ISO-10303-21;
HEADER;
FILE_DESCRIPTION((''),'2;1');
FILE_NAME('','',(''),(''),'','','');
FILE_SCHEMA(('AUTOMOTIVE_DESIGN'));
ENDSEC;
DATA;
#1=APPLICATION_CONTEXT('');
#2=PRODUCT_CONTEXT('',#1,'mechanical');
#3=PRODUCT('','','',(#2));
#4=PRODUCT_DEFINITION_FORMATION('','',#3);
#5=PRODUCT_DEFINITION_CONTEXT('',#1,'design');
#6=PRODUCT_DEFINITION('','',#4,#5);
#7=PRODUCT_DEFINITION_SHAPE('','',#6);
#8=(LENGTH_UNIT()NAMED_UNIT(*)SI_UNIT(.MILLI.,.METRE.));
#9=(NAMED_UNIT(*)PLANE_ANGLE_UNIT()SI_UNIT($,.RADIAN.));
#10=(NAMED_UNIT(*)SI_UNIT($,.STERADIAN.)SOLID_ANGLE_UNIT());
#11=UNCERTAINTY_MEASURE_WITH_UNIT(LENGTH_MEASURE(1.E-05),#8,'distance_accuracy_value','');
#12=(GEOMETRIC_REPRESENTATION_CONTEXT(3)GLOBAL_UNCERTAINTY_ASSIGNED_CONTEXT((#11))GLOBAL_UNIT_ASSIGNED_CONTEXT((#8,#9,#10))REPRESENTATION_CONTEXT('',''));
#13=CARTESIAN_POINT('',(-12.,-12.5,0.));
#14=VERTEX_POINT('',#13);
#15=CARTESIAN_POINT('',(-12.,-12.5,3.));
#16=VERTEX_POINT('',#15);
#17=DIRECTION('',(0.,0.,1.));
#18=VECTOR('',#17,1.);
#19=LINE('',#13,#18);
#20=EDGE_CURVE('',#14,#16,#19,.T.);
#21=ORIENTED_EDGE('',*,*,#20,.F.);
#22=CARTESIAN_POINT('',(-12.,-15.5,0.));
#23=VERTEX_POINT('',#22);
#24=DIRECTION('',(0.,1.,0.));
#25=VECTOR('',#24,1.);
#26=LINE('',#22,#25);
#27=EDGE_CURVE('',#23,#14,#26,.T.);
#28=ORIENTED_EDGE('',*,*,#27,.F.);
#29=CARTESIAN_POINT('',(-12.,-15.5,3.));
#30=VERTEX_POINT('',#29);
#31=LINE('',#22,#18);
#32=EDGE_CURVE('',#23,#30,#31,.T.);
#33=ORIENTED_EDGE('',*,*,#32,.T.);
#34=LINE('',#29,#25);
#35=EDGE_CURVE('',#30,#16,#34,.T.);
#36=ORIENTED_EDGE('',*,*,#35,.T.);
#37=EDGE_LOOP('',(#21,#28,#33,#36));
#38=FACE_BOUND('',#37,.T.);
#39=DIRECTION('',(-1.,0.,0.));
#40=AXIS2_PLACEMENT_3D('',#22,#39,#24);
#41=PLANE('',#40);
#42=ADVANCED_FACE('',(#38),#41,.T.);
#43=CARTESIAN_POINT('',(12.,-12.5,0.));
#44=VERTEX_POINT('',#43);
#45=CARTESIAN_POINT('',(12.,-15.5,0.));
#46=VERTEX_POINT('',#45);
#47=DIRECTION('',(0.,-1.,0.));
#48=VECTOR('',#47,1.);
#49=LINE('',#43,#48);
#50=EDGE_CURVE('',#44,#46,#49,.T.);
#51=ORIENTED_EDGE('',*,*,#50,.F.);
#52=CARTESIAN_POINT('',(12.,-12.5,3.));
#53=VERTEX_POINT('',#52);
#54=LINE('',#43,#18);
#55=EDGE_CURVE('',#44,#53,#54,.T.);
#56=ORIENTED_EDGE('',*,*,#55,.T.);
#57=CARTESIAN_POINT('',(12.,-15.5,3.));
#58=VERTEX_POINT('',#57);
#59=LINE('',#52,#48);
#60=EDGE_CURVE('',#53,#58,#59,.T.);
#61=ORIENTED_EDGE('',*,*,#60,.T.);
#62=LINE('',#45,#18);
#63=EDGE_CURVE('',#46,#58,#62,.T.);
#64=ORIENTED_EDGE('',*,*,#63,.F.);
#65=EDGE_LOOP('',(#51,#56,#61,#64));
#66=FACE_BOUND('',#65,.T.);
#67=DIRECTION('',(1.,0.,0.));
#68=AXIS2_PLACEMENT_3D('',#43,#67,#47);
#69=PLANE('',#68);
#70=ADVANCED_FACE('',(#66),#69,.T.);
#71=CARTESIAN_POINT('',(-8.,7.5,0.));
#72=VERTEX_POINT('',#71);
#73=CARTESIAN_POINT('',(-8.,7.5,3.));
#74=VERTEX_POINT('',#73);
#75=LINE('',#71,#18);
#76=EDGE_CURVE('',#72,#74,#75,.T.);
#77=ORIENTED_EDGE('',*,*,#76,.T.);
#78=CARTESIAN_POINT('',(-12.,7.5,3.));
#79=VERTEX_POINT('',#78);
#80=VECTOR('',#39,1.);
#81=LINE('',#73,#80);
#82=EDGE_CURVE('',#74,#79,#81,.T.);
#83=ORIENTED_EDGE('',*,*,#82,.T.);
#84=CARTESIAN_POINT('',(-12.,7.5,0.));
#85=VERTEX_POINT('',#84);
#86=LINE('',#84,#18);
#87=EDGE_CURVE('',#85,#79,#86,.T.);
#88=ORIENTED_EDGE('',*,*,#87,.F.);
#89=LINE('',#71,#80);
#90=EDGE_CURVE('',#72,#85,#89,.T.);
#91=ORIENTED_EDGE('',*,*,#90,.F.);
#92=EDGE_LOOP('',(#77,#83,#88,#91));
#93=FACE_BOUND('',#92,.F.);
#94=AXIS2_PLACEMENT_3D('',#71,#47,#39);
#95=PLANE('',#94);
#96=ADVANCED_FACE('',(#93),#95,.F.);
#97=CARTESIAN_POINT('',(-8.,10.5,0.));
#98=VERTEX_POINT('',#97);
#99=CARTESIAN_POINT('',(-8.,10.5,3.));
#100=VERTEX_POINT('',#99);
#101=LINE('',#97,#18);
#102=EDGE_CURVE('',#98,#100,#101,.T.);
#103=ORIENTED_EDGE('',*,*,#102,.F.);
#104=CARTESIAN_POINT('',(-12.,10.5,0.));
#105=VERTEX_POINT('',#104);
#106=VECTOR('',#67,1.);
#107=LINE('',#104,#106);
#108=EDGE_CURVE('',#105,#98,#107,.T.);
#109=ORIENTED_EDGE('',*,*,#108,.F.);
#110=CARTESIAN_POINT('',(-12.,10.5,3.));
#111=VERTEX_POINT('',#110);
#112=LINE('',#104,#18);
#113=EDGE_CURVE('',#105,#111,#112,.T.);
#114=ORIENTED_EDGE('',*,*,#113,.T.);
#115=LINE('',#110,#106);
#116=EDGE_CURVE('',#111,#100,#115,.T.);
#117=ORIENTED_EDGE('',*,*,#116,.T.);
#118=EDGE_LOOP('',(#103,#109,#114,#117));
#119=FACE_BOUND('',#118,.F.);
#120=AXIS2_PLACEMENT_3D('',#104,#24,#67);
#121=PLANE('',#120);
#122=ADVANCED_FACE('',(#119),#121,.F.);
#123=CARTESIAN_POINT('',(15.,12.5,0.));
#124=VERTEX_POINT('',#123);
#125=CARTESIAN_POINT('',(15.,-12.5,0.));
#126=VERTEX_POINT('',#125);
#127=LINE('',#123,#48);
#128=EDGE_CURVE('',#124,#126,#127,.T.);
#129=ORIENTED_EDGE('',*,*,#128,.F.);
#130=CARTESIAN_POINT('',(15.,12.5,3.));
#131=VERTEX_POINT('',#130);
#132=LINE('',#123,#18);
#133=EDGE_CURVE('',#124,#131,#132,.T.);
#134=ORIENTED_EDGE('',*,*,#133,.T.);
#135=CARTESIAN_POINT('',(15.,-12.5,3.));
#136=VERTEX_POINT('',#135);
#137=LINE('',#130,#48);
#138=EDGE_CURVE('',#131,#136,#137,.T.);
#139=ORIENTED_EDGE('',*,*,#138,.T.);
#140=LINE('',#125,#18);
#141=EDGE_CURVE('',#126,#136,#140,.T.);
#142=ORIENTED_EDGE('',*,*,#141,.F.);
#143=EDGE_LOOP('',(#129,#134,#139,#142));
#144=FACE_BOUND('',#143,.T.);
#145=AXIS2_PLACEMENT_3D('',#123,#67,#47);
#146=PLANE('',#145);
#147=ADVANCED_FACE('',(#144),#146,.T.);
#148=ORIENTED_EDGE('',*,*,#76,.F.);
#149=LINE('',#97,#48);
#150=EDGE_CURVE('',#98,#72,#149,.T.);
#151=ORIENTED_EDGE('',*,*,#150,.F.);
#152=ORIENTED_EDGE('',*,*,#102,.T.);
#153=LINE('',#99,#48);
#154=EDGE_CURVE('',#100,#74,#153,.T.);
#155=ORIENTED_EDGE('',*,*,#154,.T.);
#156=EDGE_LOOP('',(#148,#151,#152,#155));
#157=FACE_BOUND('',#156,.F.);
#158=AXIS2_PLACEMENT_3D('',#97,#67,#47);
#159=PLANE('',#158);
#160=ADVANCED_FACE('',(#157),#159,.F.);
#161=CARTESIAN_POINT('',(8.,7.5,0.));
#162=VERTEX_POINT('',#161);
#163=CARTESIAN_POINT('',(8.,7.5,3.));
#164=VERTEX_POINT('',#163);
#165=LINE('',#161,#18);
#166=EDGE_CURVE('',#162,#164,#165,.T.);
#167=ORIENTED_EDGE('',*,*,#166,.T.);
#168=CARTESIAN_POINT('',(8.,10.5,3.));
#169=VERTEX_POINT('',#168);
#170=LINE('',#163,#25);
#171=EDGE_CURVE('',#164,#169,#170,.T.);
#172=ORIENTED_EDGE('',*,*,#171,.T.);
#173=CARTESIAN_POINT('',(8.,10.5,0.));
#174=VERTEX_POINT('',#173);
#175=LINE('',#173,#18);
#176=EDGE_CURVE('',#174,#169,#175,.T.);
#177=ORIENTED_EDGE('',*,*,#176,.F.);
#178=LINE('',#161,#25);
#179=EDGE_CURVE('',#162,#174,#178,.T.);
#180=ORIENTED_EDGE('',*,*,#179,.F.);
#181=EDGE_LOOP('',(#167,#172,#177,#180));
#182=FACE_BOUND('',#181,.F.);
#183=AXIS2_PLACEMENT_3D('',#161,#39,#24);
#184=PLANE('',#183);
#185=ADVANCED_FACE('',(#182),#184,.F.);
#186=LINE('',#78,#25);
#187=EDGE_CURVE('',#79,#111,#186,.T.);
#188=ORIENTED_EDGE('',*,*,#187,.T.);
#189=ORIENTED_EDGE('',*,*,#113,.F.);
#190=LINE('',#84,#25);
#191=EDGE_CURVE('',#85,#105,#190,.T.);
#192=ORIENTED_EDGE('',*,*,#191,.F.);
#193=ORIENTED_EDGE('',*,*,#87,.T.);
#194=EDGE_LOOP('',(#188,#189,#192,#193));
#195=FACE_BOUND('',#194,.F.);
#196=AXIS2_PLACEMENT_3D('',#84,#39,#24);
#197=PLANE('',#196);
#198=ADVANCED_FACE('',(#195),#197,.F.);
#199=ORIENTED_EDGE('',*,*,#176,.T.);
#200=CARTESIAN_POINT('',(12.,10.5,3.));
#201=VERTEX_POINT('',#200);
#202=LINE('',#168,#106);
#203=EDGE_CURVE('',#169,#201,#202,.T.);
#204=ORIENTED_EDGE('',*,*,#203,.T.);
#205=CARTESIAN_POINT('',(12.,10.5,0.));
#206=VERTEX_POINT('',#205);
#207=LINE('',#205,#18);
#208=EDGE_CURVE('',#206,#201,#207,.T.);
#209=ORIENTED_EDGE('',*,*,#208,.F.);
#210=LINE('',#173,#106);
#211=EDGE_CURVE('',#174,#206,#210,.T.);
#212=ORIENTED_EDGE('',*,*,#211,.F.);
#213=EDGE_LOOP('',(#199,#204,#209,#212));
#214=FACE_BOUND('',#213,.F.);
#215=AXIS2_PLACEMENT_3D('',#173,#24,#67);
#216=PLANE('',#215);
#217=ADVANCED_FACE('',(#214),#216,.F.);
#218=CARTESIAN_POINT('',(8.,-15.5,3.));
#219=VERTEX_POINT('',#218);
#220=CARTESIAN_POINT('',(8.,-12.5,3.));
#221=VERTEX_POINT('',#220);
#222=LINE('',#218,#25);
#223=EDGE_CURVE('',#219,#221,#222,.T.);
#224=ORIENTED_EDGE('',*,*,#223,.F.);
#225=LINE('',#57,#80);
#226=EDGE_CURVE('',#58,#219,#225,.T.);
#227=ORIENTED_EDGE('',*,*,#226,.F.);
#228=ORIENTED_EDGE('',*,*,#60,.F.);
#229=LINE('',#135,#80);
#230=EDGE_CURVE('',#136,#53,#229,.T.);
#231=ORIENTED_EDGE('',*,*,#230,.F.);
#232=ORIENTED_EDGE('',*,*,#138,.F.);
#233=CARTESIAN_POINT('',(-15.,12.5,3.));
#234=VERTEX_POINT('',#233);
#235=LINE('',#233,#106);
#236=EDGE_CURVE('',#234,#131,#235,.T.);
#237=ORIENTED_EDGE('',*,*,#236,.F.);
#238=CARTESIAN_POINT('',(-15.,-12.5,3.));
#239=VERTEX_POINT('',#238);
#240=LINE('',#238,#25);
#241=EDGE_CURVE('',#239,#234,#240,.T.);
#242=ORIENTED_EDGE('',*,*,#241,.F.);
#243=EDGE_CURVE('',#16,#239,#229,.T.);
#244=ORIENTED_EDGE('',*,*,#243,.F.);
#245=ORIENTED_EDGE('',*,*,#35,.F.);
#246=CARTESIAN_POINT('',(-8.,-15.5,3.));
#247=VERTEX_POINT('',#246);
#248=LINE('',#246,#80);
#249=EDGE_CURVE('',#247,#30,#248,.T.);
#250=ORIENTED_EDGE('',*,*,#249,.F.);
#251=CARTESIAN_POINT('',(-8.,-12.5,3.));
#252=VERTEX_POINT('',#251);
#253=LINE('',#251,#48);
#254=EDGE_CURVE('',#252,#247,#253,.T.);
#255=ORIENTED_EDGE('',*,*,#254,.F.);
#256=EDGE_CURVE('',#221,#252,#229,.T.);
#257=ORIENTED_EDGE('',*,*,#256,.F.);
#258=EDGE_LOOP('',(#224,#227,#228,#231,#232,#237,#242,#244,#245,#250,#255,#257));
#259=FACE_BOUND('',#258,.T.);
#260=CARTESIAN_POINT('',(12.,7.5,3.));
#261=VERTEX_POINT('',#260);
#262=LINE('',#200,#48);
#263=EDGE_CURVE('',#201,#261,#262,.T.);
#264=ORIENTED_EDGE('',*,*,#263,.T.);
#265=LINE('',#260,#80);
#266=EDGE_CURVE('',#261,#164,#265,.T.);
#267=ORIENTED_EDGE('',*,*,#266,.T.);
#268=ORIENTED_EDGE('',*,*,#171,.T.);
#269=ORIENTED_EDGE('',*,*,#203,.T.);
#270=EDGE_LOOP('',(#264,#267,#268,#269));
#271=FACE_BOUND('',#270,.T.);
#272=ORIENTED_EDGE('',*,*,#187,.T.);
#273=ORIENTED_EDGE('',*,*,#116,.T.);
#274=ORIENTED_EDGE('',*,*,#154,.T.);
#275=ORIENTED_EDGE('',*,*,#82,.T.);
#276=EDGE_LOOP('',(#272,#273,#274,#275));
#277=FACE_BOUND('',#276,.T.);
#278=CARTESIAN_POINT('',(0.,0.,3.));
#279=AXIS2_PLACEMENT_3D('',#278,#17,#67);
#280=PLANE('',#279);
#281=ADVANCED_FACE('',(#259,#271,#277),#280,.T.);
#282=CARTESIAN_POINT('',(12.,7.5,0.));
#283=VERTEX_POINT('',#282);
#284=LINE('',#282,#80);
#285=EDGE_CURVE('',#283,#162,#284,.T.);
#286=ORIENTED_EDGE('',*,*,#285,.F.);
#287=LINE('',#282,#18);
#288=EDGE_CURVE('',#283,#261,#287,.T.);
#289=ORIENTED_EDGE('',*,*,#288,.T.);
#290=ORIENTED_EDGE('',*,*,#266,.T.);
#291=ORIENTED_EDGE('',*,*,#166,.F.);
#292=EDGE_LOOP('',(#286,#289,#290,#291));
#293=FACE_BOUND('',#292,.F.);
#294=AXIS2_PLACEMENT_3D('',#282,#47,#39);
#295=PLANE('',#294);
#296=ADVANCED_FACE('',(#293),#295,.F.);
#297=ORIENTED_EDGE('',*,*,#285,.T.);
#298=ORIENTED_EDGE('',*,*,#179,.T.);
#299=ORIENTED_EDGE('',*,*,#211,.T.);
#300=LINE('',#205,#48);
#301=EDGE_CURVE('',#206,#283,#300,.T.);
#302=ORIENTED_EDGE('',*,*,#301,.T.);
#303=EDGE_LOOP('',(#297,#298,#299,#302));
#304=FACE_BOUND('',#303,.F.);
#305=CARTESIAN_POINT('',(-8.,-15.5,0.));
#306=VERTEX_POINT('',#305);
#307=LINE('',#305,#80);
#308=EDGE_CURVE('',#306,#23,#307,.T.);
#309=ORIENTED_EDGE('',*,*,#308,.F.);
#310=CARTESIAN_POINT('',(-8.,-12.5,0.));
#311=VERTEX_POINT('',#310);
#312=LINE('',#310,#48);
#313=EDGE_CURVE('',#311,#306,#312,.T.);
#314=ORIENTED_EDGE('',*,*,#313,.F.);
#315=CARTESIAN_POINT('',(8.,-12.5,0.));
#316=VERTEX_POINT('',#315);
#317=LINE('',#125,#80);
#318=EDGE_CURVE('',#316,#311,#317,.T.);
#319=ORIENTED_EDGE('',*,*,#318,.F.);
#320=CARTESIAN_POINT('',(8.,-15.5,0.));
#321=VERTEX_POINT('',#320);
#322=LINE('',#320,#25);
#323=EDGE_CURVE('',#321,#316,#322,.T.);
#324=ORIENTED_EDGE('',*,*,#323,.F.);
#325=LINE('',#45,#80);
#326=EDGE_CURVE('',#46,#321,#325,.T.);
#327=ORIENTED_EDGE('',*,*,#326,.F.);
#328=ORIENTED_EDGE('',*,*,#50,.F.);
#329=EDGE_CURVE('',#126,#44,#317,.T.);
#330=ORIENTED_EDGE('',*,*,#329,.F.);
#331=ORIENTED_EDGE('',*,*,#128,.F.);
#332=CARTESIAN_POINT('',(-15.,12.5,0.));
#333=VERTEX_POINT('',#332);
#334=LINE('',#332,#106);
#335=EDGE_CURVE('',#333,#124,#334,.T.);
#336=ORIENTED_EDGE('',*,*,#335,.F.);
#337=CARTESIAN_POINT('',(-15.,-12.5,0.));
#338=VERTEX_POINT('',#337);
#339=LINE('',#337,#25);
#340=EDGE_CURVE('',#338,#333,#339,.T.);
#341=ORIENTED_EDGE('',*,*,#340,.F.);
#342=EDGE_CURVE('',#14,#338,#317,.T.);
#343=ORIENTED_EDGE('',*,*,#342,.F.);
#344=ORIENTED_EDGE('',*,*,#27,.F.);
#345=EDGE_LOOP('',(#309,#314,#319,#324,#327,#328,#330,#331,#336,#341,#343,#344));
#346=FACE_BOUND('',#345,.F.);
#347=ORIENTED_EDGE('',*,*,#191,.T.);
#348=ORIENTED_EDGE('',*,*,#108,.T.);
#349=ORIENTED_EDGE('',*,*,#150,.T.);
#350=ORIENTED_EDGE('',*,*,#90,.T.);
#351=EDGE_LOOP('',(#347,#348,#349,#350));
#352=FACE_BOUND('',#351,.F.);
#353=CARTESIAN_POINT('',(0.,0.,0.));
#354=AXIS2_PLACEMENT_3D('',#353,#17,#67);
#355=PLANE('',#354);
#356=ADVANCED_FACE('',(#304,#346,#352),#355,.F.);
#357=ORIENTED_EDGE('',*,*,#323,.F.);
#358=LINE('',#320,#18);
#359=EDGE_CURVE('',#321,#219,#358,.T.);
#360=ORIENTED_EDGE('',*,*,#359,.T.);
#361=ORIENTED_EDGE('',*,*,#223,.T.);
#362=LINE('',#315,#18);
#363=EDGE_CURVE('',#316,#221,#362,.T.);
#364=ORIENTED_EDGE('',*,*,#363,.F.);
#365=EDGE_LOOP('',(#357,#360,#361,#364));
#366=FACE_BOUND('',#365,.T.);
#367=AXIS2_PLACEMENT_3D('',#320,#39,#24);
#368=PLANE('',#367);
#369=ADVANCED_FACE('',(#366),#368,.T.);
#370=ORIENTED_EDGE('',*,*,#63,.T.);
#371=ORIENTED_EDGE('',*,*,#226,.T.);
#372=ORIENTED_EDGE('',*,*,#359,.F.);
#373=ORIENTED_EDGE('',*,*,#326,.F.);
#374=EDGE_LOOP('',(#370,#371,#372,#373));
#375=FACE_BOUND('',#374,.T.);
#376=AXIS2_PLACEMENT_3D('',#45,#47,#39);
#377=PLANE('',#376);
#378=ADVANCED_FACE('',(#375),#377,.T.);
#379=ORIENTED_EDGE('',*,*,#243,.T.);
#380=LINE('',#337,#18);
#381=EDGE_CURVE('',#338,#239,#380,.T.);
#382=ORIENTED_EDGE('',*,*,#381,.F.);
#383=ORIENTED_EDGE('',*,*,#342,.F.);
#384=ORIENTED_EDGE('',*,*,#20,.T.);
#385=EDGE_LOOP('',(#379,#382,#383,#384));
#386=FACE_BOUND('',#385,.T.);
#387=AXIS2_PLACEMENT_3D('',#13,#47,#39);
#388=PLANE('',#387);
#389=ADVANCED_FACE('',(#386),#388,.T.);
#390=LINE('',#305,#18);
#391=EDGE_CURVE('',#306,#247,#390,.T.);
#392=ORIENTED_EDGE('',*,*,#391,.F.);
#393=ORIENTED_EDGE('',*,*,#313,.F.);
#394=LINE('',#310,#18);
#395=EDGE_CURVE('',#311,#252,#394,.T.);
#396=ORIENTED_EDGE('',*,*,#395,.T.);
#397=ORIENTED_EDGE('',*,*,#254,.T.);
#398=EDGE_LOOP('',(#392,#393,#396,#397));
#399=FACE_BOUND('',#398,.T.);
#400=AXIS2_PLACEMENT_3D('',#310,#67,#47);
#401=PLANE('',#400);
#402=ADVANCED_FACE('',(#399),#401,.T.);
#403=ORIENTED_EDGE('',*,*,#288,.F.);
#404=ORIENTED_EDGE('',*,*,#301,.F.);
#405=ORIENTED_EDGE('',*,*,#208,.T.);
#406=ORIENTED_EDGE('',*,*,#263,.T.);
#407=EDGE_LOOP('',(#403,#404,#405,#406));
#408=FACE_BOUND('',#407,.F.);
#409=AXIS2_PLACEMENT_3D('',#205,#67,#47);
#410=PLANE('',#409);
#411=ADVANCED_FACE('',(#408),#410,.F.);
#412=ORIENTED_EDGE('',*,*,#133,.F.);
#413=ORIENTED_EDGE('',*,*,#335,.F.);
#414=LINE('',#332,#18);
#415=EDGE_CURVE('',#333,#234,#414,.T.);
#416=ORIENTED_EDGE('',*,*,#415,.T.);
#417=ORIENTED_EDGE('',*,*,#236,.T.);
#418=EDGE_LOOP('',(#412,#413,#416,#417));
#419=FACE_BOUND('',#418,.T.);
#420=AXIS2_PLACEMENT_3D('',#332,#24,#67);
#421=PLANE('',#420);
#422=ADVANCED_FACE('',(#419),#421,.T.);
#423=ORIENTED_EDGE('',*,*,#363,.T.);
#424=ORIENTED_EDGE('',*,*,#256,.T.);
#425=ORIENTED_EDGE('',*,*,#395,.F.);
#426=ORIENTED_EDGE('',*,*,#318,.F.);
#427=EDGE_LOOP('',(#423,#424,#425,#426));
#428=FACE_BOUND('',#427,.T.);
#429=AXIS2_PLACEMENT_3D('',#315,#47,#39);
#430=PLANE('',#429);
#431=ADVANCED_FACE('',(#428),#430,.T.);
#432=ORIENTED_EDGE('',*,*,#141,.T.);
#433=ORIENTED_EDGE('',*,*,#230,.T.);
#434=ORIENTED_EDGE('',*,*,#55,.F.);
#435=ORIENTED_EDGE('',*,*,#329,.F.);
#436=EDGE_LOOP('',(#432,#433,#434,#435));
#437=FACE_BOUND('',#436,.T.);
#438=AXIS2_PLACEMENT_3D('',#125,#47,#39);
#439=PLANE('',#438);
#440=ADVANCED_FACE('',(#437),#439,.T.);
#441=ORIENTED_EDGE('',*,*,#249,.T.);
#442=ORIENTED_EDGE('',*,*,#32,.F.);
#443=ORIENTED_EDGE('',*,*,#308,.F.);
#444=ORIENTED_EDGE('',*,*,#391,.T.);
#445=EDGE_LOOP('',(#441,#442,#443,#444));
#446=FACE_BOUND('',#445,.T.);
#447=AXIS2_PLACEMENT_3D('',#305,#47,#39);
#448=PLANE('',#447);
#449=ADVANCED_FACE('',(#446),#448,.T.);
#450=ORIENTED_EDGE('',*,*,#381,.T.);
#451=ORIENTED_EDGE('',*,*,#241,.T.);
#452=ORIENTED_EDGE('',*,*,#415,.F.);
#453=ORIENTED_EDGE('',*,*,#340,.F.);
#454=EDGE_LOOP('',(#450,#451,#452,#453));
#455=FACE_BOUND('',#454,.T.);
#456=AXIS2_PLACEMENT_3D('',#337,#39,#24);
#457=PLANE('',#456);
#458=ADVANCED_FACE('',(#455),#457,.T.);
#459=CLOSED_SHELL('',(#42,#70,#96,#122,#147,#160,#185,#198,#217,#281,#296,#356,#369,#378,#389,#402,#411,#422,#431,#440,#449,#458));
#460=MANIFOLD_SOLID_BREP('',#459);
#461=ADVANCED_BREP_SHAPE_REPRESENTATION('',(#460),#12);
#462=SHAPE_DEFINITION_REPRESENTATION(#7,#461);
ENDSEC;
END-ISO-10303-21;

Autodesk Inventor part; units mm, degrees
ref_plane "YZ Plane" through (0, 0, 0) normal (1, 0, 0) x (0, 1, 0)
ref_plane "XZ Plane" through (0, 0, 0) normal (0, 1, 0) x (-1, 0, 0)
ref_plane "XY Plane" through (0, 0, 0) normal (0, 0, 1) x (1, 0, 0)
sketch "Sketch1" plane through (0, 0, 0) normal (0, 0, 1) x (1, 0, 0)
  line L0 (-15, 12.5) -> (15, 12.5)
  line L1 (15, 12.5) -> (15, -12.5)
  line L2 (15, -12.5) -> (-15, -12.5)
  line L3 (-15, -12.5) -> (-15, 12.5)
  line L4 (-12, 10.5) -> (-8, 10.5)
  line L5 (-8, 10.5) -> (-8, 7.5)
  line L6 (-8, 7.5) -> (-12, 7.5)
  line L7 (-12, 7.5) -> (-12, 10.5)
  line L8 (8, 10.5) -> (12, 10.5)
  line L9 (12, 10.5) -> (12, 7.5)
  line L10 (12, 7.5) -> (8, 7.5)
  line L11 (8, 7.5) -> (8, 10.5)
  line L12 (-12, -12.5) -> (-8, -12.5)
  line L13 (-8, -12.5) -> (-8, -15.5)
  line L14 (-8, -15.5) -> (-12, -15.5)
  line L15 (-12, -15.5) -> (-12, -12.5)
  line L16 (8, -12.5) -> (12, -12.5)
  line L17 (12, -12.5) -> (12, -15.5)
  line L18 (12, -15.5) -> (8, -15.5)
  line L19 (8, -15.5) -> (8, -12.5)
  point P0 (0, 0)
  point P1 (0, 12.5)
  point P2 (15, 0)
  point P3 (-10, -12.5)
  point P4 (0, -12.5)
  point P5 (10, -12.5)
  point P6 (-10, 10.5)
  point P7 (10, 10.5)
  dimension "d0" = 25
  dimension "d1" = 30
  dimension "d2" = 4
  dimension "d3" = 3
  dimension "d4" = 3
  dimension "d5" = 4
  dimension "d6" = 10
  dimension "d7" = 10
  dimension "d8" = 10
  dimension "d9" = 10
  dimension "d10" = 20
extrude "Extrusion1" add sketch "Sketch1" along normal blind 3
properties material "MDF Medium Density Fiberboard"
